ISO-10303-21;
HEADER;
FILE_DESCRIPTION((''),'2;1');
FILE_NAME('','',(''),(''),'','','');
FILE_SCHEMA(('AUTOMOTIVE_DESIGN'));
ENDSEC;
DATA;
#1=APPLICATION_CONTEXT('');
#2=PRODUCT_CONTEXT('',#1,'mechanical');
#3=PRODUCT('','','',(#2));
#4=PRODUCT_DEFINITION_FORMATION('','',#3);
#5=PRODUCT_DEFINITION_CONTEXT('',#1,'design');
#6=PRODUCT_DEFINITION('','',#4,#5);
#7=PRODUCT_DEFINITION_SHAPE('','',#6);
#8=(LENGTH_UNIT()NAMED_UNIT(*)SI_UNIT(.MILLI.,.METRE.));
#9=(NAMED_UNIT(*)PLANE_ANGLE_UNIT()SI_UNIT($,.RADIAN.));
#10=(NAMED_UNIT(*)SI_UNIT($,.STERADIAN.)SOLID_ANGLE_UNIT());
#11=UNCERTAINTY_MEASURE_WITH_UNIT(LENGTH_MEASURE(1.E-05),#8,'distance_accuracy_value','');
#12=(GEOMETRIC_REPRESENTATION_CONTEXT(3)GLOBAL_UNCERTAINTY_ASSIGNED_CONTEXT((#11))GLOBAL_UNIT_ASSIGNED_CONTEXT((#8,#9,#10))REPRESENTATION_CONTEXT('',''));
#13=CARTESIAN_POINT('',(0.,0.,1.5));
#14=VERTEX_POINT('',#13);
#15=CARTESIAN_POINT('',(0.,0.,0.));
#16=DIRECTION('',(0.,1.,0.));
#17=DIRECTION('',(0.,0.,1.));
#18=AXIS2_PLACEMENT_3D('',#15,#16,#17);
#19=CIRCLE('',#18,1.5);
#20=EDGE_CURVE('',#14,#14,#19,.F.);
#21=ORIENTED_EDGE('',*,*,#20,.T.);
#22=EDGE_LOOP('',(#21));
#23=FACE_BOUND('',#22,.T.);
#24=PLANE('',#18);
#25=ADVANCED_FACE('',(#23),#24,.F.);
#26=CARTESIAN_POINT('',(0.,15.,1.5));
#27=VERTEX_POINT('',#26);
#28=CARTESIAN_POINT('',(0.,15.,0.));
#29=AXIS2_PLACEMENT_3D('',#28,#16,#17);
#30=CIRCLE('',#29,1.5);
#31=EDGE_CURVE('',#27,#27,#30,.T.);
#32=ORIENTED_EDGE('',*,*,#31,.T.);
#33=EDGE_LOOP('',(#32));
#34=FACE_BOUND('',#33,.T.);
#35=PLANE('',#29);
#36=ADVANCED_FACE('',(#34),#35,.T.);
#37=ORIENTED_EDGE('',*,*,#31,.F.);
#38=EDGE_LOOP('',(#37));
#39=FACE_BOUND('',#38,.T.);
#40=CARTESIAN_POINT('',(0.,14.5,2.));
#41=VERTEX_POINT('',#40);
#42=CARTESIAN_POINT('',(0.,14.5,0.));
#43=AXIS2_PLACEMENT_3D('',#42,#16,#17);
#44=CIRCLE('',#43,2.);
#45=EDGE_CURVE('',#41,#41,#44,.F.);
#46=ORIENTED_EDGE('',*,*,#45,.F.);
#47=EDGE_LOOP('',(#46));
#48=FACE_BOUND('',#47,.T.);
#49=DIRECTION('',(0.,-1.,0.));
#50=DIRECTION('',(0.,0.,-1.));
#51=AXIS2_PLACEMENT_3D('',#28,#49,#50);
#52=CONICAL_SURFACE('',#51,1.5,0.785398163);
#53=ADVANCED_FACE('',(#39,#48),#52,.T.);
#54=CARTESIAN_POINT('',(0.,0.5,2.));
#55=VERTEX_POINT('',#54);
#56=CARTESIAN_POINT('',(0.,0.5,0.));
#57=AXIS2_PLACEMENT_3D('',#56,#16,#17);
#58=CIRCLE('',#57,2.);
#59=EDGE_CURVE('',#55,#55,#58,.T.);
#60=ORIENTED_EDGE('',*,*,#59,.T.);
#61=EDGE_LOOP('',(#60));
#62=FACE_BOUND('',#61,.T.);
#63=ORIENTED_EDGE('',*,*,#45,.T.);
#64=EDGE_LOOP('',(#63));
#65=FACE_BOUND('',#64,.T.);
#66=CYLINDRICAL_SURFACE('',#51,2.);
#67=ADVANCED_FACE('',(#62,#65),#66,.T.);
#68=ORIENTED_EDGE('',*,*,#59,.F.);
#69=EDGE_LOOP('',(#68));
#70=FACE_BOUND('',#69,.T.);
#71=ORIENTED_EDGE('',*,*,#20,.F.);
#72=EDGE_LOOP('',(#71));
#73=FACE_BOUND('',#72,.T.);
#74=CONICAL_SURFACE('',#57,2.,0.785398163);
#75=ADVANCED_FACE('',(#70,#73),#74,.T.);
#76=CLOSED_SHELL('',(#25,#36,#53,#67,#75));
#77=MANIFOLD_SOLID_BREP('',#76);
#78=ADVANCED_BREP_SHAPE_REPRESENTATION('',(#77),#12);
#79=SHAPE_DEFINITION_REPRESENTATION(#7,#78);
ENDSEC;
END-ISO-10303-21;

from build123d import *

# Parameters (mm, degrees)
SKETCH_1_R      = 2
EXTRUDE_1_DEPTH = 15
CHAMFER_1_SIZE  = 0.5
CHAMFER_2_SIZE  = 0.5


with BuildPart() as part:
    # 草圖1 → 填料-伸長1 (new body)
    with BuildSketch(Plane(origin=(0, 0, 0), x_dir=(1, 0, 0), z_dir=(0, 1, 0))):
        Circle(SKETCH_1_R)
    extrude(amount=EXTRUDE_1_DEPTH)

    # 導角1
    chamfer_1_edges = [part.edges().sort_by_distance(p)[0] for p in [
        (-2, 15, 0),
    ]]
    chamfer(chamfer_1_edges, length=CHAMFER_1_SIZE)

    # 導角2
    chamfer_2_edges = [part.edges().sort_by_distance(p)[0] for p in [
        (-2, 0, 0),
    ]]
    chamfer(chamfer_2_edges, length=CHAMFER_2_SIZE)


solid = part.part
